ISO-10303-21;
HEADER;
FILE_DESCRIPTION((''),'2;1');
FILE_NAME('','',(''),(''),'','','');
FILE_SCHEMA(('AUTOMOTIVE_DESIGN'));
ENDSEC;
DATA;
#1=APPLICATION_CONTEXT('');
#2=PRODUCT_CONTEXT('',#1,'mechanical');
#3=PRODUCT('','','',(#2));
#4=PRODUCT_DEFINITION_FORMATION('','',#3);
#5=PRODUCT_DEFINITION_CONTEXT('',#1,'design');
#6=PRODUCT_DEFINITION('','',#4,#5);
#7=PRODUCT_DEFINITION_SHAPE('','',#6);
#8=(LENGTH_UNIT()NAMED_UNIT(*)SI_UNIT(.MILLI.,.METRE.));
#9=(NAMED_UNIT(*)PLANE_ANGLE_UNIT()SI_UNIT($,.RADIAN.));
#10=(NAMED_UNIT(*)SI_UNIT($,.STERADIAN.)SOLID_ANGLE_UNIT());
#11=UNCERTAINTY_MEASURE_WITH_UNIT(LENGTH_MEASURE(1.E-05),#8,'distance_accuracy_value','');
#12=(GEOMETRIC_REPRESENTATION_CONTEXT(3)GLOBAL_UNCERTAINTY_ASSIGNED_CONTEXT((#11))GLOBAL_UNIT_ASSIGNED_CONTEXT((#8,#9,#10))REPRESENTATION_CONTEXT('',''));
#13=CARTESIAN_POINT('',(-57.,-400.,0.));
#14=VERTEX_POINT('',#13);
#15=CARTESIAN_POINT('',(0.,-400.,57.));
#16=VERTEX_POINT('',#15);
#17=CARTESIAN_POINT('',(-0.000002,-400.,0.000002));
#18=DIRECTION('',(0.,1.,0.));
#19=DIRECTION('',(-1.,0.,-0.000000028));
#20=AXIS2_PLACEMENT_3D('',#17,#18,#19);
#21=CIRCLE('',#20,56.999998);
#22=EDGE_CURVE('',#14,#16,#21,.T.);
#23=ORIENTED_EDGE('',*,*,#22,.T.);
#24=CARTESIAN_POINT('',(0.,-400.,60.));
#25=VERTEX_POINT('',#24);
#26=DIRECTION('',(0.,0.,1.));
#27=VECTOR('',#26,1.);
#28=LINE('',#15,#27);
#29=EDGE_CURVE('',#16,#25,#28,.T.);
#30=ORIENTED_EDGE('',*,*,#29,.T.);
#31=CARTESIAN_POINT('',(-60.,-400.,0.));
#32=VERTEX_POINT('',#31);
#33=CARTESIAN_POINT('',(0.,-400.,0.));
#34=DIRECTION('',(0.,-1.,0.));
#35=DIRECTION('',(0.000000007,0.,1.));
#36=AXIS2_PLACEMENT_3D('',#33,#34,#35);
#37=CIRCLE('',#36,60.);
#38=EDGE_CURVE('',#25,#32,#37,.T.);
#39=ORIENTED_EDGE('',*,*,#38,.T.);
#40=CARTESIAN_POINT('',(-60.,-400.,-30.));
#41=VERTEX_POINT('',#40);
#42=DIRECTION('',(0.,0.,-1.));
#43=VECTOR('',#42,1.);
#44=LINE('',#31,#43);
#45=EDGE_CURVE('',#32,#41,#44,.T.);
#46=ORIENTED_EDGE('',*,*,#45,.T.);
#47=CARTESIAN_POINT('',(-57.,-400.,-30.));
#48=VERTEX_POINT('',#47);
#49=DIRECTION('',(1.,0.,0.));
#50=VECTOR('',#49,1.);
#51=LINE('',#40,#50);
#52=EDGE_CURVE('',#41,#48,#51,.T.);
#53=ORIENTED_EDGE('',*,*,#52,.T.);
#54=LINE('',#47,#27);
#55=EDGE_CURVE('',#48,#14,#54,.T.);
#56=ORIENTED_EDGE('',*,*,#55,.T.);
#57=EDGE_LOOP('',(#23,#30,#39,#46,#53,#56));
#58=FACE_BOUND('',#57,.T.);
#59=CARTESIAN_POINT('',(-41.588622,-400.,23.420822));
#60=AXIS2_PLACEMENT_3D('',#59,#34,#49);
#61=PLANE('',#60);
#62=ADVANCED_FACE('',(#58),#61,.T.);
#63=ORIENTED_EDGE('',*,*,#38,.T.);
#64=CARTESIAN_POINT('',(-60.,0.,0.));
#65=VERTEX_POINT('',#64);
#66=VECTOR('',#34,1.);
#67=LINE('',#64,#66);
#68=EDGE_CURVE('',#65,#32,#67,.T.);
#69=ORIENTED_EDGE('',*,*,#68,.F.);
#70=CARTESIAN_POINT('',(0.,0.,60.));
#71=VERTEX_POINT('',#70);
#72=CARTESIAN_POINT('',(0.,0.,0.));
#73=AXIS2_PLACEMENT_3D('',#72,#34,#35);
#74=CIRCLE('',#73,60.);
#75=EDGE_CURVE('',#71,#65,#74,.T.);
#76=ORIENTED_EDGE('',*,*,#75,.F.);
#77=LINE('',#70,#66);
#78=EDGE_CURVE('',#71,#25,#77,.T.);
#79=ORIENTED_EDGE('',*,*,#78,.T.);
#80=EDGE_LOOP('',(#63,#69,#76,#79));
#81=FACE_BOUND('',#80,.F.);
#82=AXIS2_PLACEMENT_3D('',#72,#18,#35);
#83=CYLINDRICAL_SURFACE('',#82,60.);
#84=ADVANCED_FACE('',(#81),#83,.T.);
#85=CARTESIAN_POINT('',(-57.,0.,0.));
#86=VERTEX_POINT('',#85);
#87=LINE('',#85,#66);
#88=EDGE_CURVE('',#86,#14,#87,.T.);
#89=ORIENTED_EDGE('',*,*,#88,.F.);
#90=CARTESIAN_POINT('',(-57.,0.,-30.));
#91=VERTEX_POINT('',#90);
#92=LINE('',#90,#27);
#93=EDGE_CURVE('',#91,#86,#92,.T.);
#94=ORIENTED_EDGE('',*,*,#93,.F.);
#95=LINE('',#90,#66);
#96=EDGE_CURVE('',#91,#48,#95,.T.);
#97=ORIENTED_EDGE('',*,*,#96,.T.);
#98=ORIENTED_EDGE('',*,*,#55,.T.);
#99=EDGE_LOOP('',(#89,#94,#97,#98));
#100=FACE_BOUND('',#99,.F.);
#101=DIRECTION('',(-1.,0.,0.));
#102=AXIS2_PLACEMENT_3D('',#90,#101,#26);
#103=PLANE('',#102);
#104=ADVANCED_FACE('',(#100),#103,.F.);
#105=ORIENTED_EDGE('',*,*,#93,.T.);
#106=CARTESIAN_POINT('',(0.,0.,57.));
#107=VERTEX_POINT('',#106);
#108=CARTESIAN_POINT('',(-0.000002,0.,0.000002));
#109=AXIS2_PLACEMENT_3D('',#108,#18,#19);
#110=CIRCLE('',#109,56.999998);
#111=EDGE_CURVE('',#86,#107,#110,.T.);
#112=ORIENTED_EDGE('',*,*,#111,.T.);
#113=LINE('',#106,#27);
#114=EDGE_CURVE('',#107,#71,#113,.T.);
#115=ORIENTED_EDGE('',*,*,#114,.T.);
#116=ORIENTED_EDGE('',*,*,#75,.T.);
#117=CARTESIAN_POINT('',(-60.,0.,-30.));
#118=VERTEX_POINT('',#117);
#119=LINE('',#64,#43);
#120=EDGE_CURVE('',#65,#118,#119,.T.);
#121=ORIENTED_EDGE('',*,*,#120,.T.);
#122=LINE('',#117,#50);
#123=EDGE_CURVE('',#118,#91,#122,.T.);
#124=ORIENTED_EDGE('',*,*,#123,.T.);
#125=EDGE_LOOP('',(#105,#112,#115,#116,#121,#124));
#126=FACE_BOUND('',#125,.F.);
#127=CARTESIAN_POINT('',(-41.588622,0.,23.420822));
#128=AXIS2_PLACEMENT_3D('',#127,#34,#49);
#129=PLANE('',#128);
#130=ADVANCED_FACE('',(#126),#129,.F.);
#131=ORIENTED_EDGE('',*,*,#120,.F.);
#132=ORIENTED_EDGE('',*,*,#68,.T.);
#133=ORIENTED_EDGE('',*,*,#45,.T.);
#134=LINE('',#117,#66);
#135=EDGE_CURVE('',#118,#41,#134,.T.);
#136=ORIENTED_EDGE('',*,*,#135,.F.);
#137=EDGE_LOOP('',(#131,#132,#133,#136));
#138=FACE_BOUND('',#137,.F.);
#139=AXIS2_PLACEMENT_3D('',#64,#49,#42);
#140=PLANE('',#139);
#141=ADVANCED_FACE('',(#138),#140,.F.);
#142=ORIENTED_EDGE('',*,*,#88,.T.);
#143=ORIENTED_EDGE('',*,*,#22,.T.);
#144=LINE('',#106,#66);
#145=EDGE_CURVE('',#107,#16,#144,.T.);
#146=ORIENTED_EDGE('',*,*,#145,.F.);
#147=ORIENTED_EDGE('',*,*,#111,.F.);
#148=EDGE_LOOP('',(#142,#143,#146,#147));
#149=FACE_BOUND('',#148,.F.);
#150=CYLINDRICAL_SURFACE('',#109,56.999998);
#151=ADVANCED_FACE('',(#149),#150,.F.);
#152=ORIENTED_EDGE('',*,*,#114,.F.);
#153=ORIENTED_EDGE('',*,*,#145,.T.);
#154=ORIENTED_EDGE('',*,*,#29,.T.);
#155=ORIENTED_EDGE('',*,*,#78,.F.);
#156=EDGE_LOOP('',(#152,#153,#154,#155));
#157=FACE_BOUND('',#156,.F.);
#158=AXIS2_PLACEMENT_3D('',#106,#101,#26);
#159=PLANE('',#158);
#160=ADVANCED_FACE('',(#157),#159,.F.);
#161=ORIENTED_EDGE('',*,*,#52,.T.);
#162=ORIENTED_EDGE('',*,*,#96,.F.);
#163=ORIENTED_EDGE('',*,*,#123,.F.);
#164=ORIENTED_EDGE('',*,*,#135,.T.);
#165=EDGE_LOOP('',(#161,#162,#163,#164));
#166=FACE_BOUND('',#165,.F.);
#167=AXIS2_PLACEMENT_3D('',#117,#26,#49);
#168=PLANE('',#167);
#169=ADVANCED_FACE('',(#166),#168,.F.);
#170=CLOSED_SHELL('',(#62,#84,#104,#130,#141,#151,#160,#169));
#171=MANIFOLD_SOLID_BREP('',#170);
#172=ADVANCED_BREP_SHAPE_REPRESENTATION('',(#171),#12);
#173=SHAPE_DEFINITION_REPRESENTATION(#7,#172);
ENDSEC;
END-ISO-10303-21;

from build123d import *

# Parameters (mm, degrees)
F1_DEPTH = 400


with BuildPart() as f1:
    # F0 (on Front) → F1 (new body)
    with BuildSketch(Plane.XZ):
        with BuildLine():
            ThreePointArc((0, 60), (-42.426407, 42.426407), (-60, 0))
            Line((-60, 0), (-60, -30))
            Line((-60, -30), (-57, -30))
            Line((-57, -30), (-57, 0))
            ThreePointArc((-57, 0), (-40.305087, 40.305087), (0, 57))
            Line((0, 57), (0, 60))
        make_face()
    extrude(amount=F1_DEPTH)


solid = f1.part
